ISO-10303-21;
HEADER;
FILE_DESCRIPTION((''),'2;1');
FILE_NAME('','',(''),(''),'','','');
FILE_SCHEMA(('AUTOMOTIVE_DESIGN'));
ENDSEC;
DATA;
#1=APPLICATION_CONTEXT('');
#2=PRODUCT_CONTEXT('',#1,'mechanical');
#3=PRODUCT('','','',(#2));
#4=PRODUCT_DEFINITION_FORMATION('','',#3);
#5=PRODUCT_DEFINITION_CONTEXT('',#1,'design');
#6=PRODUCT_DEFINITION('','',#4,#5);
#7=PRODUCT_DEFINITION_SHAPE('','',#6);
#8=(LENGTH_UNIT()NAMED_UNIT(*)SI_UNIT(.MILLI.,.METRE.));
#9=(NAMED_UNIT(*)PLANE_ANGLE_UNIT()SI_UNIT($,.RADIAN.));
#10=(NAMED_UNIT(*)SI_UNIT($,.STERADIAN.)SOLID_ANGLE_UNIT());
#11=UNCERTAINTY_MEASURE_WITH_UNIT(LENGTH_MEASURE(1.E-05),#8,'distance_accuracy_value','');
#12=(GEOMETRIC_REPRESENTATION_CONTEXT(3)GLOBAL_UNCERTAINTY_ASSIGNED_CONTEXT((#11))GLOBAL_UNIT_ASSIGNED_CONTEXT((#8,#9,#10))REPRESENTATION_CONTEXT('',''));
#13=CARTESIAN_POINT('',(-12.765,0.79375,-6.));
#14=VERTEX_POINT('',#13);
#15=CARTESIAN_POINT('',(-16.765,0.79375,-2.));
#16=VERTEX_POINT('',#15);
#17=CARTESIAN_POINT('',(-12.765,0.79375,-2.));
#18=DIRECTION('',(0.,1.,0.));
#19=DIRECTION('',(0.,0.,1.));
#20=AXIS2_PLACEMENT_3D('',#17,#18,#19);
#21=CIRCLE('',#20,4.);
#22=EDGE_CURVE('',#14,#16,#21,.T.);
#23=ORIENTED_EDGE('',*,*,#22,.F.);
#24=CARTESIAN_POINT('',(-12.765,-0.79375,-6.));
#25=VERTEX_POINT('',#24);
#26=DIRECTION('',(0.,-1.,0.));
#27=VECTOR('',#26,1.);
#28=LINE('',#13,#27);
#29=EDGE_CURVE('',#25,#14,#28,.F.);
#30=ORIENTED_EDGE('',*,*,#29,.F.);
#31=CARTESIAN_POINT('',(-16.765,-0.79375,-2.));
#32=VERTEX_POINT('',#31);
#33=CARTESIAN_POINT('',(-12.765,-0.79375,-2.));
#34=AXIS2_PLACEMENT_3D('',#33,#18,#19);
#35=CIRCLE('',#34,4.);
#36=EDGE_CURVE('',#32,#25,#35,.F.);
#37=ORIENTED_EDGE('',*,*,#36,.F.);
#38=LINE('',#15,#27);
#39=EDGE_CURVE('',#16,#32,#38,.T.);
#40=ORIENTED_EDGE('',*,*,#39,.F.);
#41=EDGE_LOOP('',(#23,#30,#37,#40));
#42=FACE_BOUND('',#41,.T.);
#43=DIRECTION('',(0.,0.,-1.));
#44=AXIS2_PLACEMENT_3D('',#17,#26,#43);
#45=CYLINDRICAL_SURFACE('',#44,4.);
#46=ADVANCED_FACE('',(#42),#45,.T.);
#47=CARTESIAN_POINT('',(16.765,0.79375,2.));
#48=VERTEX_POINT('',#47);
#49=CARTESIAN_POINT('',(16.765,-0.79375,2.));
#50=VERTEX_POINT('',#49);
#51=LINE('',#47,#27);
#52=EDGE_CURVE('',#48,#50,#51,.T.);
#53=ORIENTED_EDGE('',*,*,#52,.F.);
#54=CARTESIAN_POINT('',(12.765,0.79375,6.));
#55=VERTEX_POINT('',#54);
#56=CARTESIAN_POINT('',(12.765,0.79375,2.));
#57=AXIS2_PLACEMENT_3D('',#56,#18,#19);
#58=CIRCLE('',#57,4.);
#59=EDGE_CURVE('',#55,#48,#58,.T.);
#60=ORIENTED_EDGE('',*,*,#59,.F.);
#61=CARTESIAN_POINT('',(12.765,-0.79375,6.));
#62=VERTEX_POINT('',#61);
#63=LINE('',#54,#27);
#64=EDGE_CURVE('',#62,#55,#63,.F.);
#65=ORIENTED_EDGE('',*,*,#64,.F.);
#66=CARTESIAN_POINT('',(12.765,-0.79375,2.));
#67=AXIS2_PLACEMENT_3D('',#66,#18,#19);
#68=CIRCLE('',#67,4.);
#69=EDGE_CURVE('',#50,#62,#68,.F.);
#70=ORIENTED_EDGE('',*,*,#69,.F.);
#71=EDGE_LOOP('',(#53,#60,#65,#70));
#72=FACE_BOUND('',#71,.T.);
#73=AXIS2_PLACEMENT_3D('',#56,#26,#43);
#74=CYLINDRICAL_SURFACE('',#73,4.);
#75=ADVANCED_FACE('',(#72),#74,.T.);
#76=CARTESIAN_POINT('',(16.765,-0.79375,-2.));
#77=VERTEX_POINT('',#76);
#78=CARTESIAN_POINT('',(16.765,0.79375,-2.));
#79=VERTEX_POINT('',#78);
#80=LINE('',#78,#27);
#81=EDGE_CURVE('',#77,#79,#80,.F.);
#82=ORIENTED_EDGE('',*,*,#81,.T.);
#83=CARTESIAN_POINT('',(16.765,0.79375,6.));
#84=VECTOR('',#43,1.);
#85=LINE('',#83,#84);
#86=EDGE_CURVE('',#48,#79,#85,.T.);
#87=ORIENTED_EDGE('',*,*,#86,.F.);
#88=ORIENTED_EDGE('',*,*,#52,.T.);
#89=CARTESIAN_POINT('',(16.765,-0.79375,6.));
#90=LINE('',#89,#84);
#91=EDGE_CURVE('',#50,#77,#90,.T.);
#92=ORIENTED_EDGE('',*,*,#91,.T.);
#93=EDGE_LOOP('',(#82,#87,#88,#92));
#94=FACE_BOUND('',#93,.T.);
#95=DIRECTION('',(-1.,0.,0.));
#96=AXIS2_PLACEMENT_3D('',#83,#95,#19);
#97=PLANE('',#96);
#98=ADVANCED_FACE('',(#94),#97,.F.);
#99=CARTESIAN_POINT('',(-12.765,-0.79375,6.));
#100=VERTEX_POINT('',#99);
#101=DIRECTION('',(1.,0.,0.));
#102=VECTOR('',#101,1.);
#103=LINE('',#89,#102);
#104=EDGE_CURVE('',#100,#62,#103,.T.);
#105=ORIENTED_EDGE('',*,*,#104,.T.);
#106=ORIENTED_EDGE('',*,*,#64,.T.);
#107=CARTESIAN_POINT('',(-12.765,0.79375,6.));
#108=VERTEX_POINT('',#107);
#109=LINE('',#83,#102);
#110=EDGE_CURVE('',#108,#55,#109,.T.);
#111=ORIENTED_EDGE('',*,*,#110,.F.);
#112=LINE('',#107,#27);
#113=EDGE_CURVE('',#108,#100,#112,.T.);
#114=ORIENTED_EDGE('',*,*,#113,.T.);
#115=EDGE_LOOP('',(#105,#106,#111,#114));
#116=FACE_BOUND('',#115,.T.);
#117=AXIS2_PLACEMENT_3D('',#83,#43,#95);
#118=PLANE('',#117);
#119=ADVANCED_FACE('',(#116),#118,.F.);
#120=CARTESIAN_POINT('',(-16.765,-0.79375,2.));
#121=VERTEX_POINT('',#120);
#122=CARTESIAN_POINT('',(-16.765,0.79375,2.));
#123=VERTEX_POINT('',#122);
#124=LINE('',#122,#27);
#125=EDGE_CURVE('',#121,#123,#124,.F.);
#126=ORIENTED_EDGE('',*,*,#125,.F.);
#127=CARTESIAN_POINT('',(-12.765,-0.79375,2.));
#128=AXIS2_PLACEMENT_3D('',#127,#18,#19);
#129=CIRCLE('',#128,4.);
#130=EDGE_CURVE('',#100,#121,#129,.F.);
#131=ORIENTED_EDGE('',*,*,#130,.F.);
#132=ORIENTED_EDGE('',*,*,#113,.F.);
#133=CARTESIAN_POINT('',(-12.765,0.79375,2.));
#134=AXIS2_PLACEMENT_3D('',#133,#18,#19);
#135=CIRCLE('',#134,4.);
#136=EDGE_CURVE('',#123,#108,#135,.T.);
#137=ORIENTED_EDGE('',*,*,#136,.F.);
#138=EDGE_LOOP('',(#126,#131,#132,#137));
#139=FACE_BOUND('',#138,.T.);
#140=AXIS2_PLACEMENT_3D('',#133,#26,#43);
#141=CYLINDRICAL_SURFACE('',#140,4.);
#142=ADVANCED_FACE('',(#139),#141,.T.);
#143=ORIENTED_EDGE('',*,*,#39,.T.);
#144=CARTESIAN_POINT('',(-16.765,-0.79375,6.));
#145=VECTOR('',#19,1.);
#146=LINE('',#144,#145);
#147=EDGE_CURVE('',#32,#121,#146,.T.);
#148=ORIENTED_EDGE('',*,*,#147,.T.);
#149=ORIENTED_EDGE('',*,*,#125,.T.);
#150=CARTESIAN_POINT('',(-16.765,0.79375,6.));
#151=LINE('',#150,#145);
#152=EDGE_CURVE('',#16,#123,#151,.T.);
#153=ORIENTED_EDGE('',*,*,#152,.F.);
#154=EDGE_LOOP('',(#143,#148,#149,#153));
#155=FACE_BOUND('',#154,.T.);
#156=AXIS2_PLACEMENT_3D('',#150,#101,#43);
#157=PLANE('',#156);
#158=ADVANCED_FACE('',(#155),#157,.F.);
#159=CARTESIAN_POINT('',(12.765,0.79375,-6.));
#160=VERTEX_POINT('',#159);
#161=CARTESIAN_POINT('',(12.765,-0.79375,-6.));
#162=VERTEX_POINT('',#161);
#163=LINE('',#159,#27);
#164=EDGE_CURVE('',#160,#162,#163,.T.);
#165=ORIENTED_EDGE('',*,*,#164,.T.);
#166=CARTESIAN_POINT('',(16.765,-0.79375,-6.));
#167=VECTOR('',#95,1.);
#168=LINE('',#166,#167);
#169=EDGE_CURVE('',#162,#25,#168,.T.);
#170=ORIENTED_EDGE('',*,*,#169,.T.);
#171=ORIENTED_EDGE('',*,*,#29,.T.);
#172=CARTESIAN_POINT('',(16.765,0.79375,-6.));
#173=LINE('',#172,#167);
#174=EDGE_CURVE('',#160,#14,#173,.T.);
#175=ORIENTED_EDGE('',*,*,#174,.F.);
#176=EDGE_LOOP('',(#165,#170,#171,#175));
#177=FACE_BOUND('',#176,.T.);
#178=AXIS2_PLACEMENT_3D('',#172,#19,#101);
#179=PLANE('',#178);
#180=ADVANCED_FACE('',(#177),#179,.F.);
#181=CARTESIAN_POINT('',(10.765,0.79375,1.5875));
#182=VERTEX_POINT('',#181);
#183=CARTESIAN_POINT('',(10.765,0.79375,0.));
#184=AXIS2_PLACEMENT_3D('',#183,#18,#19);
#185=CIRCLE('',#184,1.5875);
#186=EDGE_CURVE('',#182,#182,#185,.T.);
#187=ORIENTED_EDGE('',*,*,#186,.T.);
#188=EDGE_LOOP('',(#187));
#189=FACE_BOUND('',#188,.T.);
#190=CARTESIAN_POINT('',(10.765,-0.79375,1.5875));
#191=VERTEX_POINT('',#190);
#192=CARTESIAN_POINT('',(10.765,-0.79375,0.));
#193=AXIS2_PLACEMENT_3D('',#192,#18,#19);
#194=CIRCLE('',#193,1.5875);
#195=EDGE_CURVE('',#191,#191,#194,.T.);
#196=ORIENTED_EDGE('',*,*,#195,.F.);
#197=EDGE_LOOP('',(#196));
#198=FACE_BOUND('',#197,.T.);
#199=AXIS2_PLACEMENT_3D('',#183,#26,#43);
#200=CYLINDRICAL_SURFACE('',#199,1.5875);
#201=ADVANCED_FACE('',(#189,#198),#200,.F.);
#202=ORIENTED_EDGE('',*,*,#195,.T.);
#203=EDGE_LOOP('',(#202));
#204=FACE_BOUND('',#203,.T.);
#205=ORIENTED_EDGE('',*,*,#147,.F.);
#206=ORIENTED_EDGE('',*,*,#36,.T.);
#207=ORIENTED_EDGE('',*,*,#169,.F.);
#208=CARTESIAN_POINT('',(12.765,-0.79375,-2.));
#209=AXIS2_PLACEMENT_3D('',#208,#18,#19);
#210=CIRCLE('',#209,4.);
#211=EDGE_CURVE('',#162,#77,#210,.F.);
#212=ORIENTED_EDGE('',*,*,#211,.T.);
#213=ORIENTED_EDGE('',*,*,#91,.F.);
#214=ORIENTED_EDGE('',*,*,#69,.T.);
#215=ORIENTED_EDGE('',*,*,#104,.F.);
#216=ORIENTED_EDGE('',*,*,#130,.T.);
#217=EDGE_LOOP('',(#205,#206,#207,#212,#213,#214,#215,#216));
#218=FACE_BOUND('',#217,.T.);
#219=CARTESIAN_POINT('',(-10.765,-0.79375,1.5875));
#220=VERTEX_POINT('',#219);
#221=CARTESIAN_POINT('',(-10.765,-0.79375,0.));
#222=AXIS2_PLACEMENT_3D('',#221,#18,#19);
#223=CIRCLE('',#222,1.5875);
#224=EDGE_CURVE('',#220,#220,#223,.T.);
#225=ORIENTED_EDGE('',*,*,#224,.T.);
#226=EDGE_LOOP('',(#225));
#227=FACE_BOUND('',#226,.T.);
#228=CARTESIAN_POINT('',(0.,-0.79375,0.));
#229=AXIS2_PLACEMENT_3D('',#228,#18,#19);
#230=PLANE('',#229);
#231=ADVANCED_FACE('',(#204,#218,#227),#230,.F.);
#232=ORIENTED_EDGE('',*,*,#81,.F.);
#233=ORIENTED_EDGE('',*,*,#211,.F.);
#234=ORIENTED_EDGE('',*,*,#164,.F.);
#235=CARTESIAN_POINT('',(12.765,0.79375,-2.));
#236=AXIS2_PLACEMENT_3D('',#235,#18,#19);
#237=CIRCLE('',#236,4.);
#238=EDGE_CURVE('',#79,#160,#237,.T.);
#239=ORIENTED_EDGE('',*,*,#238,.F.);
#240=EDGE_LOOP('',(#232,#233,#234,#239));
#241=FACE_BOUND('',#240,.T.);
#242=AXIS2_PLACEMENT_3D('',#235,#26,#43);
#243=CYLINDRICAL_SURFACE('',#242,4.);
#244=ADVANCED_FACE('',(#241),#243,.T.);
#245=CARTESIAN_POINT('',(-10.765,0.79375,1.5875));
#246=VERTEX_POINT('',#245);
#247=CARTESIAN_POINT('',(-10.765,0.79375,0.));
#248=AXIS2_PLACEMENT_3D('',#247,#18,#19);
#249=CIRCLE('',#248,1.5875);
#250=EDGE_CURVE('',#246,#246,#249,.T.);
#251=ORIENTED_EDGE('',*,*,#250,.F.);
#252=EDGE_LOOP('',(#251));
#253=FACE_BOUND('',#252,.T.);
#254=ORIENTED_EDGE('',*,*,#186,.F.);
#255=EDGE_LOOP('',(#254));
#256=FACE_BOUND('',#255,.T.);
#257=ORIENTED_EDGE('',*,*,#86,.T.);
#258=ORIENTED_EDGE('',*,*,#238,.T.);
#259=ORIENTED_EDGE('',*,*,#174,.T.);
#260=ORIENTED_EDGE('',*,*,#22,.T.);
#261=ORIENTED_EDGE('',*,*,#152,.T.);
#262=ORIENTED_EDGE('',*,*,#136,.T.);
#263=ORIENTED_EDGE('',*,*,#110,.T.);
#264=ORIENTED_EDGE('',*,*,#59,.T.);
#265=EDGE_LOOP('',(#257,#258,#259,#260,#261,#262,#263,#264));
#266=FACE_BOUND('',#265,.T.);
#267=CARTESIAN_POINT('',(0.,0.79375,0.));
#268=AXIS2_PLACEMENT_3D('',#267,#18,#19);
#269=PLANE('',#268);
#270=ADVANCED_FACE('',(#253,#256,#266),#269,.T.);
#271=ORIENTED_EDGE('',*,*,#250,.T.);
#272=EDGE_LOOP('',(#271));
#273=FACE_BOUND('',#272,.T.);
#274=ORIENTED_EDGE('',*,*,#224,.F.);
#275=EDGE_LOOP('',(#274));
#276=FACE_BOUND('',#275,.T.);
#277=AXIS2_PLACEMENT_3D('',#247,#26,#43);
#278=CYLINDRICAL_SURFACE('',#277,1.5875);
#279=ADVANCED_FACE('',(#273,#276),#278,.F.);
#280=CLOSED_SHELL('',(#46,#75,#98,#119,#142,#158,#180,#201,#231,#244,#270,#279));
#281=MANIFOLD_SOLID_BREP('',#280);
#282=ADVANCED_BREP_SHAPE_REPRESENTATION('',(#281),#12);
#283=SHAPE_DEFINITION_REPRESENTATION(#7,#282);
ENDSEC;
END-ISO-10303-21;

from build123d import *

# Parameters (mm, degrees)
SKETCH1_W           = 33.53
SKETCH1_H           = 12
SKETCH1_R           = 1.5875
BOSS_EXTRUDE1_DEPTH = 0.79375
FILLET1_R           = 4


with BuildPart() as part:
    # Sketch1 → Boss-Extrude1 (new, symmetric)
    with BuildSketch(Plane(origin=(0, 0, 0), x_dir=(1, 0, 0), z_dir=(0, 1, 0))):
        Rectangle(SKETCH1_W, SKETCH1_H)
        with Locations(Location((-10.765, 0, 0), (0, 0, 270))):
            Circle(SKETCH1_R, mode=Mode.SUBTRACT)
        with Locations(Location((10.765, 0, 0), (0, 0, 270))):
            Circle(SKETCH1_R, mode=Mode.SUBTRACT)
    extrude(amount=BOSS_EXTRUDE1_DEPTH, both=True)

    # Fillet1
    fillet1_edges = [part.edges().sort_by_distance(p)[0] for p in [
        (-16.765, 0, -6),
        (16.765, 0, -6),
        (16.765, 0, 6),
        (-16.765, 0, 6),
    ]]
    fillet(fillet1_edges, radius=FILLET1_R)


solid = part.part
